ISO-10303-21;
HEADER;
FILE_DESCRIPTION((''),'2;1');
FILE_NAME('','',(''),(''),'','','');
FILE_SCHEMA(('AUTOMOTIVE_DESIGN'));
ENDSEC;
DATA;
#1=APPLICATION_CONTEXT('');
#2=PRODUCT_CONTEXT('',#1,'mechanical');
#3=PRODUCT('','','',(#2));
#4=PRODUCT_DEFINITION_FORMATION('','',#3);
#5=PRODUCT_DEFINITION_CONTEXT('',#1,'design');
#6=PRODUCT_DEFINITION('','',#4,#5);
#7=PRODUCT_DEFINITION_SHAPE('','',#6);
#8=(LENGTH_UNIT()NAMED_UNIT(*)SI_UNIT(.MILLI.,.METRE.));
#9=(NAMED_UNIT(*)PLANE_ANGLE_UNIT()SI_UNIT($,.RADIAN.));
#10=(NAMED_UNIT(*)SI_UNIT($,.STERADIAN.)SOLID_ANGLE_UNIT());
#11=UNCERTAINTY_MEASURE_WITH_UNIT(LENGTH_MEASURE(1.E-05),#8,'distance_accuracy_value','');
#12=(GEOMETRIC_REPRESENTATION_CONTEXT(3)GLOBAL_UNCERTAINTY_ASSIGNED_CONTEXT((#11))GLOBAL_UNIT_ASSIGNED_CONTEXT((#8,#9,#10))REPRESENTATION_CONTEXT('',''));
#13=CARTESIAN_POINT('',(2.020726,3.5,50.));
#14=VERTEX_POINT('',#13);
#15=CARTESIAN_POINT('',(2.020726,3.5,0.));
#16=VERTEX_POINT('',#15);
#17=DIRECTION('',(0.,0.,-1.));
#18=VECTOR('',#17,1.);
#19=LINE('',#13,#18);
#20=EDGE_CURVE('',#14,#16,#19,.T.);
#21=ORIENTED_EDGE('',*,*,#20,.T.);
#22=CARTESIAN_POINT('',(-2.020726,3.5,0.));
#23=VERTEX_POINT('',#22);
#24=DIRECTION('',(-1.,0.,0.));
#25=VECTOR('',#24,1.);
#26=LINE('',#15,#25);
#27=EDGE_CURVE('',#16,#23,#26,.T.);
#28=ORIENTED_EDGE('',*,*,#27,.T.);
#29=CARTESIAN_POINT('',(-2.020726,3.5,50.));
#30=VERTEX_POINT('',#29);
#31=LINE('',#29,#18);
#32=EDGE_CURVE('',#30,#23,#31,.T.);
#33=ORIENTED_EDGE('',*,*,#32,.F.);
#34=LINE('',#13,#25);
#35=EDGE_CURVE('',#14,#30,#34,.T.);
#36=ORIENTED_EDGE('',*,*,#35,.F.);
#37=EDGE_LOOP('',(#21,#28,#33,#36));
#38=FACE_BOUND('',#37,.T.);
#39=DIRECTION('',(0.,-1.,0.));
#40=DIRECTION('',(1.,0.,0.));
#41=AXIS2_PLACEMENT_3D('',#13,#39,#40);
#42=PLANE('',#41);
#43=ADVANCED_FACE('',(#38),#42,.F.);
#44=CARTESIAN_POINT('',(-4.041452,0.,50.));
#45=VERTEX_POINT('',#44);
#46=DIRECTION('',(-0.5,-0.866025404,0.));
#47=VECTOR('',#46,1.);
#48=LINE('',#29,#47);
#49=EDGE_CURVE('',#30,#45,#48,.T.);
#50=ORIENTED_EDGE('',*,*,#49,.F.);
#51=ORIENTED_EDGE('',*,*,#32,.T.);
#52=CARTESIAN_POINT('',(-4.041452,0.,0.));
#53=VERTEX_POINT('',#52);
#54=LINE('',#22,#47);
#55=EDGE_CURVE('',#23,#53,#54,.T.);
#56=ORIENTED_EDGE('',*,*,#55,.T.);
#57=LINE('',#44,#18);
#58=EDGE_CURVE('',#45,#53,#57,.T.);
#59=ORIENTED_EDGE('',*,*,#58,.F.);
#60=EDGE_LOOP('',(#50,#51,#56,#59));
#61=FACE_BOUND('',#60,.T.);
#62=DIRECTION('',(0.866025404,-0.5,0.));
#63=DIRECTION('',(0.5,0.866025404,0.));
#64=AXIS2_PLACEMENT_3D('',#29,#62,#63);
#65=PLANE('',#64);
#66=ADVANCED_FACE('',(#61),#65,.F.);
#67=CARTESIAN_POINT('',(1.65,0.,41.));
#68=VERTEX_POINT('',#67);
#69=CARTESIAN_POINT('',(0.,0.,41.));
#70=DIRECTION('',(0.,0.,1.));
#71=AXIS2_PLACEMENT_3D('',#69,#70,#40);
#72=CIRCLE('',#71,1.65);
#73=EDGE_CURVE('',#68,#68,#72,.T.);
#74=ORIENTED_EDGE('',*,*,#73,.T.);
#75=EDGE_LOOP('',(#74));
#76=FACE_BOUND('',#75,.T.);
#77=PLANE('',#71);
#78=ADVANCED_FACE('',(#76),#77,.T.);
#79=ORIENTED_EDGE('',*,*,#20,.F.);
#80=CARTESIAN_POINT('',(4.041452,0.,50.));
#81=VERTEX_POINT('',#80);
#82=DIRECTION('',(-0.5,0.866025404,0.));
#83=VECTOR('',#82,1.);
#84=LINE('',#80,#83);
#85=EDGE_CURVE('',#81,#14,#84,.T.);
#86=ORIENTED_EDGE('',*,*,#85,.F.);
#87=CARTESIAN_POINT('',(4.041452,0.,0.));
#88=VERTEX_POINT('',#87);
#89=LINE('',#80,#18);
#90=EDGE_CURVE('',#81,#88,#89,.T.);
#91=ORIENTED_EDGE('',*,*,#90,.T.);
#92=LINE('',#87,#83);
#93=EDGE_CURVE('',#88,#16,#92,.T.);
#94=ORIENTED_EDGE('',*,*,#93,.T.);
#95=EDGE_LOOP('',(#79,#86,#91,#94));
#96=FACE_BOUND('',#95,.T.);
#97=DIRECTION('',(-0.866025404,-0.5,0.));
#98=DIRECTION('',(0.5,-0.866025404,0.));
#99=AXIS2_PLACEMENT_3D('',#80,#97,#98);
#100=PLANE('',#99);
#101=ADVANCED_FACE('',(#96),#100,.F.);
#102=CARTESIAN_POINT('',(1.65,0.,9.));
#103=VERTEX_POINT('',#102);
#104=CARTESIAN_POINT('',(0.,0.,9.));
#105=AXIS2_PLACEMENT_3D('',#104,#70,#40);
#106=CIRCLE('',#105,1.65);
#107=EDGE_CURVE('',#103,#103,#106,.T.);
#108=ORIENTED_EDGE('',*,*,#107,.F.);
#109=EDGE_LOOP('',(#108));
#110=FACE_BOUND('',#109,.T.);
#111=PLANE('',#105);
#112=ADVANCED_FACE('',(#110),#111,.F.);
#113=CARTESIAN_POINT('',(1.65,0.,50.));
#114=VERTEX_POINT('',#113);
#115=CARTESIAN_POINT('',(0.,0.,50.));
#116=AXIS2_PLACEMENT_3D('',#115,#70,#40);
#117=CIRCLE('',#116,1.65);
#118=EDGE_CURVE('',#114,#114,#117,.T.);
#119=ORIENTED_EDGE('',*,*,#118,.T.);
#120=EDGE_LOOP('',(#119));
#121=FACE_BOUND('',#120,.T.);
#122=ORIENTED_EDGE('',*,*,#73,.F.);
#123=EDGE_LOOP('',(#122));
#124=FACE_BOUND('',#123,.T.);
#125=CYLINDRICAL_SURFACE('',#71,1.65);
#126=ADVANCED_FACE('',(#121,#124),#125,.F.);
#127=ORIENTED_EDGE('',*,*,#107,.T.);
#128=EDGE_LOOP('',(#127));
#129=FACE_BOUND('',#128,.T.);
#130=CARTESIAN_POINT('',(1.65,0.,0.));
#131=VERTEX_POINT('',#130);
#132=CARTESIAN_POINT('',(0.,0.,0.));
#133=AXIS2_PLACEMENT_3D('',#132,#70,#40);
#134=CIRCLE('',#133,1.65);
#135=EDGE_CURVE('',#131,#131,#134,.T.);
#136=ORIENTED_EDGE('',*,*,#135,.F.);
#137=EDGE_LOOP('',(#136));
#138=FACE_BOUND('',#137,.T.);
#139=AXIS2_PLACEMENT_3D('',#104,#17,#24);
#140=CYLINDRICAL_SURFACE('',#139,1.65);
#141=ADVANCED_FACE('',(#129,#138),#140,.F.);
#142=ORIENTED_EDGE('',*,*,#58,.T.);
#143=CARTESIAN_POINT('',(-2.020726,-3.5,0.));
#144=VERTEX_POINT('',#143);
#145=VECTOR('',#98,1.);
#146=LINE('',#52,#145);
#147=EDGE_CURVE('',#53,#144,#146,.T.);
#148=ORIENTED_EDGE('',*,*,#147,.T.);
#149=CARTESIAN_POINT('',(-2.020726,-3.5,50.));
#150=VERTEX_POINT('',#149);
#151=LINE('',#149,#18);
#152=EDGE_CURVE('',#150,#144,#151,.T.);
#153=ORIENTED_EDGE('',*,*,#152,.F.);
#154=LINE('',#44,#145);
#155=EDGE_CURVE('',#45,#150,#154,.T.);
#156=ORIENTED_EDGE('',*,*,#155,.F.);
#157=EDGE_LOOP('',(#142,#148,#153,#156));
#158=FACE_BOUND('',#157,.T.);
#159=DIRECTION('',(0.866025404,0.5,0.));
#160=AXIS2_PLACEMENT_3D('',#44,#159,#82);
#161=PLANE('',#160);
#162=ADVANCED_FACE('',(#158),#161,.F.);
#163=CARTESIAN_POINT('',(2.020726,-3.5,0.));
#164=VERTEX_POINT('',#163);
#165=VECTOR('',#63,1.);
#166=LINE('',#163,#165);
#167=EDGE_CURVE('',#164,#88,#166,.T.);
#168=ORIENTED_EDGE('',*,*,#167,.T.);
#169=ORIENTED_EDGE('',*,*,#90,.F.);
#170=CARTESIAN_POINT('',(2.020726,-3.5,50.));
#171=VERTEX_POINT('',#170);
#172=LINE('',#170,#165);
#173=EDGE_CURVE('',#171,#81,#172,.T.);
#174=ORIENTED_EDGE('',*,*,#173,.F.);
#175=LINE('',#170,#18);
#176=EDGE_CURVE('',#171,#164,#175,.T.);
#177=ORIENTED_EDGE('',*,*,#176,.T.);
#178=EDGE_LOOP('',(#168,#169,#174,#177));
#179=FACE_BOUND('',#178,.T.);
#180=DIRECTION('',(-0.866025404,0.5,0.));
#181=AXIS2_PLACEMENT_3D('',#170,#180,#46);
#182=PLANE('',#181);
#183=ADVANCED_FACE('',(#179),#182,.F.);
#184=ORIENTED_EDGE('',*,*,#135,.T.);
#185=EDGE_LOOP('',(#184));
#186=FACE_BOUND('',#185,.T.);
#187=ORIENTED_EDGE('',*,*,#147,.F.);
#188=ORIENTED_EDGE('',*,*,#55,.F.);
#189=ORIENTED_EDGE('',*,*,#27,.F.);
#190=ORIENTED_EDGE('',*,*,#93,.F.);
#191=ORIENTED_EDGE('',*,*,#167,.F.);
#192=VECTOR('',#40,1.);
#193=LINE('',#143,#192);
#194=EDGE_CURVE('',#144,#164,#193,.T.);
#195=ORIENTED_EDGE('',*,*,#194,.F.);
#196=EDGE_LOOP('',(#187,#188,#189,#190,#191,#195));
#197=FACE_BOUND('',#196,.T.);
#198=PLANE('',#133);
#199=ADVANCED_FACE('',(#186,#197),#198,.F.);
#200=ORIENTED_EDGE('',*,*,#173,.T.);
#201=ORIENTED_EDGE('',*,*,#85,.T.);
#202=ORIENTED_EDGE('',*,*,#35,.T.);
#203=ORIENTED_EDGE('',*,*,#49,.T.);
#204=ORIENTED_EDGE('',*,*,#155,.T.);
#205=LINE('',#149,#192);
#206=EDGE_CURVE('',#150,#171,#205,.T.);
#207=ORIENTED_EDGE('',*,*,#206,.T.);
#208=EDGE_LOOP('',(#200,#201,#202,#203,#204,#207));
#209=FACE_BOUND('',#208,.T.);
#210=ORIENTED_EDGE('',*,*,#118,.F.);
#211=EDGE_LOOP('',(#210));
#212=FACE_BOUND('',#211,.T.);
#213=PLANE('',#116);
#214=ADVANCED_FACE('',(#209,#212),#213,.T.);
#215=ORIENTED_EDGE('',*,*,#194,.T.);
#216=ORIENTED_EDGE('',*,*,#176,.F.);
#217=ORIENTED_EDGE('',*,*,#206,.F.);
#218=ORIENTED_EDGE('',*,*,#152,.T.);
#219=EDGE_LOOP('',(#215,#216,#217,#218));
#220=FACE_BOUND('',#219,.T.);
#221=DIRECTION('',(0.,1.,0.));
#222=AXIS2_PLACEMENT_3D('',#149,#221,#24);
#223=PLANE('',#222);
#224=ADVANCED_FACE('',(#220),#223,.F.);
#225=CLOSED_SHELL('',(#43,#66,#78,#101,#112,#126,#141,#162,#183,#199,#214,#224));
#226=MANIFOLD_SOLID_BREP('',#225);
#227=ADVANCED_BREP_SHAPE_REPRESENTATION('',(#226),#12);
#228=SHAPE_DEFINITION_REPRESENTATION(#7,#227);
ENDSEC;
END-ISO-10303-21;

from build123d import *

# Parameters (mm, degrees)
BOSS_EXTRU_1_DEPTH      = 50
ESQUISSE2_R             = 1.65
ENL_V_MAT_EXTRU_1_DEPTH = 9
ENL_V_START             = -41
ESQUISSE2_2_R           = 1.65
ENL_V_MAT_EXTRU_2_DEPTH = 9


with BuildPart() as part:
    # Esquisse1 → Boss.-Extru.1 (new body)
    with BuildSketch(Plane.XY):
        Polygon((4.041451884, 0), (2.020725942, 3.5), (-2.020725942, 3.5), (-4.041451884, 0), (-2.020725942, -3.5), (2.020725942, -3.5), align=None)
    extrude(amount=BOSS_EXTRU_1_DEPTH)

    # Esquisse2 → Enlèv. mat.-Extru.1 (cut)
    with BuildSketch(Plane.XY.offset(50)):
        Circle(ESQUISSE2_R)
    extrude(amount=-ENL_V_MAT_EXTRU_1_DEPTH, mode=Mode.SUBTRACT)

    # Esquisse2<2> → Enlèv. mat.-Extru.2 (cut)
    with BuildSketch(Plane.XY.offset(50).offset(ENL_V_START)):
        Circle(ESQUISSE2_2_R)
    extrude(amount=-ENL_V_MAT_EXTRU_2_DEPTH, mode=Mode.SUBTRACT)


solid = part.part
